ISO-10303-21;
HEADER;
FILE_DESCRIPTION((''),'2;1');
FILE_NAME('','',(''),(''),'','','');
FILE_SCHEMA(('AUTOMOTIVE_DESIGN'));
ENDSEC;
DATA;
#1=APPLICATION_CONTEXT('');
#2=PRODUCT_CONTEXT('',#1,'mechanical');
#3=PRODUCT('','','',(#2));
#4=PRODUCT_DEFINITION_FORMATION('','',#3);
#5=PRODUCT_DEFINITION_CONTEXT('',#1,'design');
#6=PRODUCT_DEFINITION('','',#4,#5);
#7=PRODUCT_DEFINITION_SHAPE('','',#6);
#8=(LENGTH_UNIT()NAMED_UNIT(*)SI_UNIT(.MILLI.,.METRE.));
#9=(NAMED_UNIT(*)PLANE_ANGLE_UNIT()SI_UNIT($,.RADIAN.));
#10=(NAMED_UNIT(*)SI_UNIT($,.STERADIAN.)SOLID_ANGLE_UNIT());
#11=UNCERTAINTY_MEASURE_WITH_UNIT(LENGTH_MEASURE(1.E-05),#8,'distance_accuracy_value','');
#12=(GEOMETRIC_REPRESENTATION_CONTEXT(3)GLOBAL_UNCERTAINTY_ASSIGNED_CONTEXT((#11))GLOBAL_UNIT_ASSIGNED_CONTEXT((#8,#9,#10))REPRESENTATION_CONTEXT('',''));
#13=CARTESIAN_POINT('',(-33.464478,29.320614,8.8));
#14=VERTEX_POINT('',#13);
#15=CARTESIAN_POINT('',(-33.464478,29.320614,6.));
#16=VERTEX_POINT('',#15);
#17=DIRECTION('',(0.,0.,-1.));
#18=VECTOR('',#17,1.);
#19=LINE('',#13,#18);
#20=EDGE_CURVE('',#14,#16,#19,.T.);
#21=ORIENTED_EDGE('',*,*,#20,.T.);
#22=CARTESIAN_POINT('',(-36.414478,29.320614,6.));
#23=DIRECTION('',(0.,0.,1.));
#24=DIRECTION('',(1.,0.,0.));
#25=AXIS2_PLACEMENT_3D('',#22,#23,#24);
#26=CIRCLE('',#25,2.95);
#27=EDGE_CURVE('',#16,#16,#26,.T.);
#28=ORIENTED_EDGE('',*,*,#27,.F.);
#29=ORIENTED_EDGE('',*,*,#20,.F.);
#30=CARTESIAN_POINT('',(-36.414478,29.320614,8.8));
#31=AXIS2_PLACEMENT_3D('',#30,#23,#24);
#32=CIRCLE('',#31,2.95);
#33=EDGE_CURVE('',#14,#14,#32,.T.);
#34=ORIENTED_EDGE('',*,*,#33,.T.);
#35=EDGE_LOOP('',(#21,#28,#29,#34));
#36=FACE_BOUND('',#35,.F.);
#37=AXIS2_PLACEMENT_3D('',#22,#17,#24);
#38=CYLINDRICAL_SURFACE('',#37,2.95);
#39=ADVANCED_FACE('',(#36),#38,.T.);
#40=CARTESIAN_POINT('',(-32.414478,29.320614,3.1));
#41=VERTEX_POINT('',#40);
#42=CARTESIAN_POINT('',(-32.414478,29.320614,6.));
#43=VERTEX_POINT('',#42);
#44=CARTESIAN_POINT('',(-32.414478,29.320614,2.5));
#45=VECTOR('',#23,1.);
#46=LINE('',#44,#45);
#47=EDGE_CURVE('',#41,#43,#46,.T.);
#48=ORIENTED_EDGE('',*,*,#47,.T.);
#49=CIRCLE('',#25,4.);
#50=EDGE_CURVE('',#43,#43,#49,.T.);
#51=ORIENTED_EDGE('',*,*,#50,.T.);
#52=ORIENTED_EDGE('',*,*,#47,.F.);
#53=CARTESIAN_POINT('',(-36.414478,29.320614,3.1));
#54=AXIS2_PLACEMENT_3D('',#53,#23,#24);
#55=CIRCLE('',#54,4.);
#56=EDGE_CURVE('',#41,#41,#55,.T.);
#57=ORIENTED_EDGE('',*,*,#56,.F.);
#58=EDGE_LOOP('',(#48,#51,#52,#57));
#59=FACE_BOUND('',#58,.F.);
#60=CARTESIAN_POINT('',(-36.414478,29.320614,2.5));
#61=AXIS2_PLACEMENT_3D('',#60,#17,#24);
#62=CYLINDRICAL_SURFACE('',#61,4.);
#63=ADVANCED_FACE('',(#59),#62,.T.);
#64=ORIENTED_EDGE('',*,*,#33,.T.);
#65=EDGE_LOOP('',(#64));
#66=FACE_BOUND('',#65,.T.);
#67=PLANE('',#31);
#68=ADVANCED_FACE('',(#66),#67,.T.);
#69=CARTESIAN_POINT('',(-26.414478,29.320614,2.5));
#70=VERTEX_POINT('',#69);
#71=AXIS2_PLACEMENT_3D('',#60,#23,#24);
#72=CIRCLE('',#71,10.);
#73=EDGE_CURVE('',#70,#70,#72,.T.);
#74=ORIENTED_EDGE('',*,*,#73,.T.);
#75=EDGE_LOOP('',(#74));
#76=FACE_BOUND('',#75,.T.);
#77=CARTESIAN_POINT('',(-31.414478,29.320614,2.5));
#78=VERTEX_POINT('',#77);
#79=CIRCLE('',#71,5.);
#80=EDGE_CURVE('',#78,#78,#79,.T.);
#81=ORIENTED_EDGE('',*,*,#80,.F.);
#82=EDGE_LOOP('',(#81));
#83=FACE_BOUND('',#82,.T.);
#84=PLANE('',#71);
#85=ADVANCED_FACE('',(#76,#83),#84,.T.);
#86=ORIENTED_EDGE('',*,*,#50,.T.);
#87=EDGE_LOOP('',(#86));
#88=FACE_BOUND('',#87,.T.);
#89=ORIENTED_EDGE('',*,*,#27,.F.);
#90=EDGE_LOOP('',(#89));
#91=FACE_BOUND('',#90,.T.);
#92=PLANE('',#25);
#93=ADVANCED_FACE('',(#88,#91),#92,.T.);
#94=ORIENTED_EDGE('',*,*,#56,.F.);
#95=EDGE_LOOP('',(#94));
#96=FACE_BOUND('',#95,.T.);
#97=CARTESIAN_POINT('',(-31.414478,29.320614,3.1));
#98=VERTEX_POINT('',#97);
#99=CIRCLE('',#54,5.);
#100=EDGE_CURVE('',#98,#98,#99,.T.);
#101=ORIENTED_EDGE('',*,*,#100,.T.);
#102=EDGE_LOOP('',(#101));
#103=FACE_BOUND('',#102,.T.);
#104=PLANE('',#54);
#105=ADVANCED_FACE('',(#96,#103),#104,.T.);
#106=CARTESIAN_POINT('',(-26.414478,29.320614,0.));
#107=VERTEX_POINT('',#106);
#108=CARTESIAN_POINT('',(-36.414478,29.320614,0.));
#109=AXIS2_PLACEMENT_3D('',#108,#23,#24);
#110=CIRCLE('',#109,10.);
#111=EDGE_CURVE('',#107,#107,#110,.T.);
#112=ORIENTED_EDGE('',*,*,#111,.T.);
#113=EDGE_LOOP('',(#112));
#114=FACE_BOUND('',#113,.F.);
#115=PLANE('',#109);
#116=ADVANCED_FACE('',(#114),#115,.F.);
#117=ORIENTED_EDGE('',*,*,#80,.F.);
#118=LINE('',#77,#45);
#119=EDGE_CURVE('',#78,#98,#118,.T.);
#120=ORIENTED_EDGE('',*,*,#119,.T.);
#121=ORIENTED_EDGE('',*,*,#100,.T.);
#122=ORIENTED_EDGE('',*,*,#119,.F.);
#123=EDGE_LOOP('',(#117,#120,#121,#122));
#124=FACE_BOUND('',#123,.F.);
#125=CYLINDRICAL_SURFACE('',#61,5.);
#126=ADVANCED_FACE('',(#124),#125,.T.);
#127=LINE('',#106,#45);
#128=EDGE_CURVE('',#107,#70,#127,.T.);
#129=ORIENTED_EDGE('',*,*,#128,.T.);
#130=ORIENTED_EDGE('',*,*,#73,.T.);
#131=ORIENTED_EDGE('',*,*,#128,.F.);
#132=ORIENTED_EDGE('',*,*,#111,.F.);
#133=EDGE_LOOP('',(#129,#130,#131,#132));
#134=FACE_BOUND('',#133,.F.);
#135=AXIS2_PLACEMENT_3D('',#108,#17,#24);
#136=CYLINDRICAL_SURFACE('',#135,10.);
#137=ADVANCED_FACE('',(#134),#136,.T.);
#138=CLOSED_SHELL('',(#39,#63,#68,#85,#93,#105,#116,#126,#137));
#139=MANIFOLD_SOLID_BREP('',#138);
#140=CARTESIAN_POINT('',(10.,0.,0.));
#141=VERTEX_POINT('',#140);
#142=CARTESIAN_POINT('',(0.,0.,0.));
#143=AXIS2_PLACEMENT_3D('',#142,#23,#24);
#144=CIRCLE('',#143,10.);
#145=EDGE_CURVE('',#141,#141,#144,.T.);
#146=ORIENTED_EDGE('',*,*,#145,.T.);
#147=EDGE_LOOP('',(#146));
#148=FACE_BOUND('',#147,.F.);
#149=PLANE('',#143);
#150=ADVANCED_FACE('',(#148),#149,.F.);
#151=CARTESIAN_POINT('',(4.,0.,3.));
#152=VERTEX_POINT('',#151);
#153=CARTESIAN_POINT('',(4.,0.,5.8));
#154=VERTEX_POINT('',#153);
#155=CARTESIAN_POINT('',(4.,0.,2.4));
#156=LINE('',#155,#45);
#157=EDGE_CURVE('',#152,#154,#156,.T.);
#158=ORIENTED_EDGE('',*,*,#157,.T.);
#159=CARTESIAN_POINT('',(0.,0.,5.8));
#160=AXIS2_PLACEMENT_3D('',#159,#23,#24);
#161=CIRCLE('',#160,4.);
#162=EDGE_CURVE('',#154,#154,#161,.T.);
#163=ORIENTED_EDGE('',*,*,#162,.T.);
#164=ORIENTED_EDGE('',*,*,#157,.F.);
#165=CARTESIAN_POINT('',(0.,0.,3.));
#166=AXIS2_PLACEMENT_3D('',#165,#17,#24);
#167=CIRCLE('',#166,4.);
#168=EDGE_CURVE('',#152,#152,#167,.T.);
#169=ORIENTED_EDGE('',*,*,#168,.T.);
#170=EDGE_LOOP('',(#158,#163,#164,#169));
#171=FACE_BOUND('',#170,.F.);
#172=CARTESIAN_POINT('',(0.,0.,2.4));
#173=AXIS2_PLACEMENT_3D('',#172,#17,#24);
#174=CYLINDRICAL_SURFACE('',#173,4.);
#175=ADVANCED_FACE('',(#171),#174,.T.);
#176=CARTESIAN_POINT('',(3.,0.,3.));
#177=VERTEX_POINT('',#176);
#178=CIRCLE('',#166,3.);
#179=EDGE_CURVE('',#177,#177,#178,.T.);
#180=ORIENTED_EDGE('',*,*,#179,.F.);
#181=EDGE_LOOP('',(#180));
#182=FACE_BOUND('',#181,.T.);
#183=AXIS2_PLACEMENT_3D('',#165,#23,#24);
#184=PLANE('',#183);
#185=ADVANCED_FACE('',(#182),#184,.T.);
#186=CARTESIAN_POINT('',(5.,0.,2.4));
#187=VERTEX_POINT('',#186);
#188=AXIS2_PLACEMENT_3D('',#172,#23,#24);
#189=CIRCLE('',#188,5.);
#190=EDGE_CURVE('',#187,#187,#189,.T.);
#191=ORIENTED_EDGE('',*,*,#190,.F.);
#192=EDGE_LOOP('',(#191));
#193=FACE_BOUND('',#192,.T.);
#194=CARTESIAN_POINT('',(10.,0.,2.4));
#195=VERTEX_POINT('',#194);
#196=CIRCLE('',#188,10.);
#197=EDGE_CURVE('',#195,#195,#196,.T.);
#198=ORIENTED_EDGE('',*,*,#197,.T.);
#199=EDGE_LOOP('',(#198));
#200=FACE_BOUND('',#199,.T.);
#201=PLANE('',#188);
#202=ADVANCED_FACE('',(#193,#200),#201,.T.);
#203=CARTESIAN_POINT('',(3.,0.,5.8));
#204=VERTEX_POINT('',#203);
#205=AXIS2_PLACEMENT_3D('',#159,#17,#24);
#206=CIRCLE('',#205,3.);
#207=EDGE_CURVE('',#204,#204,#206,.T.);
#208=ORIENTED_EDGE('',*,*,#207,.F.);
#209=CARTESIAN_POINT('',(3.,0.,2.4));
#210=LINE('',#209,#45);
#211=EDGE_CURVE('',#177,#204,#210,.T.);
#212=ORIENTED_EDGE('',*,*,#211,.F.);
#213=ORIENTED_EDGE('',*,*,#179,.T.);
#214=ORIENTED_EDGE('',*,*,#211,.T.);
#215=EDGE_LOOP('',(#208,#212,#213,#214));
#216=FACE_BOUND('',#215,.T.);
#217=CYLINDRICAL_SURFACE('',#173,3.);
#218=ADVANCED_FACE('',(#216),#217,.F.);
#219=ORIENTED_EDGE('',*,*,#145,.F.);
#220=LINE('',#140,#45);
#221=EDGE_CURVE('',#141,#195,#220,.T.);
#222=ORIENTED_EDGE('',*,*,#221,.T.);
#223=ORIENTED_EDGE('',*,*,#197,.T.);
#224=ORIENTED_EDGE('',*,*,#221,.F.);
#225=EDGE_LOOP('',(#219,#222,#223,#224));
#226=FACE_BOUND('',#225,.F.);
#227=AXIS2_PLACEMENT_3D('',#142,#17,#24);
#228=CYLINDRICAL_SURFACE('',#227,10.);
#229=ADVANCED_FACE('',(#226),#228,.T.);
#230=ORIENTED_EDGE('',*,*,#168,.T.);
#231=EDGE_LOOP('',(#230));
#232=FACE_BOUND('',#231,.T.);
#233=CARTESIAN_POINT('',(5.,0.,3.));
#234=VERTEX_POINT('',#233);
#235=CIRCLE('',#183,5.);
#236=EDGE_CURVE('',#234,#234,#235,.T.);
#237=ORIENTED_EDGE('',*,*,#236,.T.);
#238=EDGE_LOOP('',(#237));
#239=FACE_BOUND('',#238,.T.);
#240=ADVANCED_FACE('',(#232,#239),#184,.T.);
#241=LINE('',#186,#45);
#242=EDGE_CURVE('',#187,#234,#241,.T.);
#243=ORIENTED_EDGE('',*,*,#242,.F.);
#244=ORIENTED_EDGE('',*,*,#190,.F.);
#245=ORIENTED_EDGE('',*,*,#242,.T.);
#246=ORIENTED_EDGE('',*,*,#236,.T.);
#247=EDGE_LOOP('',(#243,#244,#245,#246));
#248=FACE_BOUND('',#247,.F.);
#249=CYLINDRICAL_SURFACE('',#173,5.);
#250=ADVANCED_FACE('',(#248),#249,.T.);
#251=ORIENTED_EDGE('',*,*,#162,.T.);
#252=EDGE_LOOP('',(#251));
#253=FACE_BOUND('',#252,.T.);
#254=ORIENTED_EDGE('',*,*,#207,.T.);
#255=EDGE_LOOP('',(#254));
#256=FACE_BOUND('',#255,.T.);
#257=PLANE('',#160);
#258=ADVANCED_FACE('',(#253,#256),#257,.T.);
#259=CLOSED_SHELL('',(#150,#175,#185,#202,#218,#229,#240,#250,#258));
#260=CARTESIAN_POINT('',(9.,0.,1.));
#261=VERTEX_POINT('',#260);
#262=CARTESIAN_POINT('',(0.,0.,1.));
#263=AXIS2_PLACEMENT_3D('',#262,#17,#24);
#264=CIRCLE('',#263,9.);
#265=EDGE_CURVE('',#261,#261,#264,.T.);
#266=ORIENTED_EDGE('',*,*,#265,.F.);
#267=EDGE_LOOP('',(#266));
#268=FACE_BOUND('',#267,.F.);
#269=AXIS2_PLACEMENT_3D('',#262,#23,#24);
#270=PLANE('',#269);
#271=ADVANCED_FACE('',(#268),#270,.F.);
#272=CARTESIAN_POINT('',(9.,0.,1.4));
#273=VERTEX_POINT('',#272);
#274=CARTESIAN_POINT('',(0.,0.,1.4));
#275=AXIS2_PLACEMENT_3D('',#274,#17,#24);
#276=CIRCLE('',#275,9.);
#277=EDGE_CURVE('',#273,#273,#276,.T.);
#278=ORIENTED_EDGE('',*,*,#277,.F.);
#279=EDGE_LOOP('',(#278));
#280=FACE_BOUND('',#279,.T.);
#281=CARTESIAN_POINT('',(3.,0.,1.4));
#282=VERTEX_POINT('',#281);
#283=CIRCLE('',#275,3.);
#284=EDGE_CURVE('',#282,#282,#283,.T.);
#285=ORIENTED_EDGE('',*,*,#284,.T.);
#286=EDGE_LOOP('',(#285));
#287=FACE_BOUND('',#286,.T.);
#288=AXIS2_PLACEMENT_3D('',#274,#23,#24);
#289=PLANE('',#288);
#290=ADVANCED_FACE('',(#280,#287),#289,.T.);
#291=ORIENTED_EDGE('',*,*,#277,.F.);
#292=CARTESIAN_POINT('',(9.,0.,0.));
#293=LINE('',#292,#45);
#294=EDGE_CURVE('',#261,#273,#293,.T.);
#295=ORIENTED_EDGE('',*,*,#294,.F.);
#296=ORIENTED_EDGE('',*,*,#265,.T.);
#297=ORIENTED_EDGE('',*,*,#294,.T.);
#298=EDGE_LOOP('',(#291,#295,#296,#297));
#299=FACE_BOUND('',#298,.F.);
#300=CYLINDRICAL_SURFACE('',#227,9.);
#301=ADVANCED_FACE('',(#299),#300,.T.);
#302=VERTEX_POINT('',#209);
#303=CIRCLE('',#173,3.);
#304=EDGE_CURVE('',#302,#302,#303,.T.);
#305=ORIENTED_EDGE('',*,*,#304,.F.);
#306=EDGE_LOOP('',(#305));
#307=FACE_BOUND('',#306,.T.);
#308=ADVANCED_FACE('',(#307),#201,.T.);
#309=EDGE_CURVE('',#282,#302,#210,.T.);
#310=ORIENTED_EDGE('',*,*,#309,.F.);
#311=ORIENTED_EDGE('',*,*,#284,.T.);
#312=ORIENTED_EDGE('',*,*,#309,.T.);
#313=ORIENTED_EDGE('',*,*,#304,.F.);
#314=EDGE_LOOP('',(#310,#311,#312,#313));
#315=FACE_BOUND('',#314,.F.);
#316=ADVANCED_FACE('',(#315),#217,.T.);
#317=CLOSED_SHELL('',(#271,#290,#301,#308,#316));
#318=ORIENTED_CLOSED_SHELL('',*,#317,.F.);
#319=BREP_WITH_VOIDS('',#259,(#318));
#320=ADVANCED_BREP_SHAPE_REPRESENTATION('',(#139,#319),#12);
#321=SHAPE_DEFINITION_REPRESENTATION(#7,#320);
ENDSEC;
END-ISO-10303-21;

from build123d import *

# Parameters (mm, degrees)
F0_R      = 10
F1_DEPTH  = 2.4
F2_R      = 4
F3_DEPTH  = 3.4
F4_T      = -1
F5_R      = 5
F6_DEPTH  = 0.6
F7_R      = 10
F8_DEPTH  = 2.5
F9_R      = 4
F10_DEPTH = 3.5
F11_R     = 2.95
F12_DEPTH = 2.8
F13_R     = 5
F13_R_2   = 4
F14_DEPTH = 0.6


with BuildPart() as f1:
    # F0 (on Top) → F1 (new body)
    with BuildSketch(Plane.XY):
        Circle(F0_R)
    extrude(amount=F1_DEPTH)

    # F2 (on face) → F3 (join)
    with BuildSketch(Plane.XY.offset(2.4)):
        Circle(F2_R)
    extrude(amount=F3_DEPTH)

    # F4
    f4_openings = [f1.faces().sort_by_distance(p)[0] for p in [
        (0, 0, 5.8),
    ]]
    offset(amount=F4_T, openings=f4_openings, kind=Kind.INTERSECTION)

    # F5 (on face) → F6 (join)
    with BuildSketch(Plane.XY.offset(2.4)):
        Circle(F5_R)
    extrude(amount=F6_DEPTH)


with BuildPart() as f8:
    # F7 (on Top) → F8 (new body)
    with BuildSketch(Plane.XY):
        with Locations((-36.4144779742, 29.3206144124)):
            Circle(F7_R)
    extrude(amount=F8_DEPTH)

    # F9 (on face) → F10 (join)
    with BuildSketch(Plane.XY.offset(2.5)):
        with Locations((-36.4144779742, 29.3206144124)):
            Circle(F9_R)
    extrude(amount=F10_DEPTH)

    # F11 (on face) → F12 (join)
    with BuildSketch(Plane.XY.offset(6)):
        with Locations((-36.4144779742, 29.3206144124)):
            Circle(F11_R)
    extrude(amount=F12_DEPTH)

    # F13 (on face) + F11 (on face) + F9 (on face) + F7 (on Top) → F14 (join)
    with BuildSketch(Plane.XY.offset(2.5)):
        with Locations((-36.4144779742, 29.3206144124)):
            Circle(F13_R)
        with Locations((-36.4144779742, 29.3206144124)):
            Circle(F13_R_2, mode=Mode.SUBTRACT)
    with BuildSketch(Plane.XY.offset(6)):
        with Locations((-36.4144779742, 29.3206144124)):
            Circle(F11_R)
    with BuildSketch(Plane.XY.offset(2.5)):
        with Locations((-36.4144779742, 29.3206144124)):
            Circle(F9_R)
    with BuildSketch(Plane.XY):
        with Locations((-36.4144779742, 29.3206144124)):
            Circle(F7_R)
    extrude(amount=F14_DEPTH)


solid = Compound([f1.part, f8.part])
